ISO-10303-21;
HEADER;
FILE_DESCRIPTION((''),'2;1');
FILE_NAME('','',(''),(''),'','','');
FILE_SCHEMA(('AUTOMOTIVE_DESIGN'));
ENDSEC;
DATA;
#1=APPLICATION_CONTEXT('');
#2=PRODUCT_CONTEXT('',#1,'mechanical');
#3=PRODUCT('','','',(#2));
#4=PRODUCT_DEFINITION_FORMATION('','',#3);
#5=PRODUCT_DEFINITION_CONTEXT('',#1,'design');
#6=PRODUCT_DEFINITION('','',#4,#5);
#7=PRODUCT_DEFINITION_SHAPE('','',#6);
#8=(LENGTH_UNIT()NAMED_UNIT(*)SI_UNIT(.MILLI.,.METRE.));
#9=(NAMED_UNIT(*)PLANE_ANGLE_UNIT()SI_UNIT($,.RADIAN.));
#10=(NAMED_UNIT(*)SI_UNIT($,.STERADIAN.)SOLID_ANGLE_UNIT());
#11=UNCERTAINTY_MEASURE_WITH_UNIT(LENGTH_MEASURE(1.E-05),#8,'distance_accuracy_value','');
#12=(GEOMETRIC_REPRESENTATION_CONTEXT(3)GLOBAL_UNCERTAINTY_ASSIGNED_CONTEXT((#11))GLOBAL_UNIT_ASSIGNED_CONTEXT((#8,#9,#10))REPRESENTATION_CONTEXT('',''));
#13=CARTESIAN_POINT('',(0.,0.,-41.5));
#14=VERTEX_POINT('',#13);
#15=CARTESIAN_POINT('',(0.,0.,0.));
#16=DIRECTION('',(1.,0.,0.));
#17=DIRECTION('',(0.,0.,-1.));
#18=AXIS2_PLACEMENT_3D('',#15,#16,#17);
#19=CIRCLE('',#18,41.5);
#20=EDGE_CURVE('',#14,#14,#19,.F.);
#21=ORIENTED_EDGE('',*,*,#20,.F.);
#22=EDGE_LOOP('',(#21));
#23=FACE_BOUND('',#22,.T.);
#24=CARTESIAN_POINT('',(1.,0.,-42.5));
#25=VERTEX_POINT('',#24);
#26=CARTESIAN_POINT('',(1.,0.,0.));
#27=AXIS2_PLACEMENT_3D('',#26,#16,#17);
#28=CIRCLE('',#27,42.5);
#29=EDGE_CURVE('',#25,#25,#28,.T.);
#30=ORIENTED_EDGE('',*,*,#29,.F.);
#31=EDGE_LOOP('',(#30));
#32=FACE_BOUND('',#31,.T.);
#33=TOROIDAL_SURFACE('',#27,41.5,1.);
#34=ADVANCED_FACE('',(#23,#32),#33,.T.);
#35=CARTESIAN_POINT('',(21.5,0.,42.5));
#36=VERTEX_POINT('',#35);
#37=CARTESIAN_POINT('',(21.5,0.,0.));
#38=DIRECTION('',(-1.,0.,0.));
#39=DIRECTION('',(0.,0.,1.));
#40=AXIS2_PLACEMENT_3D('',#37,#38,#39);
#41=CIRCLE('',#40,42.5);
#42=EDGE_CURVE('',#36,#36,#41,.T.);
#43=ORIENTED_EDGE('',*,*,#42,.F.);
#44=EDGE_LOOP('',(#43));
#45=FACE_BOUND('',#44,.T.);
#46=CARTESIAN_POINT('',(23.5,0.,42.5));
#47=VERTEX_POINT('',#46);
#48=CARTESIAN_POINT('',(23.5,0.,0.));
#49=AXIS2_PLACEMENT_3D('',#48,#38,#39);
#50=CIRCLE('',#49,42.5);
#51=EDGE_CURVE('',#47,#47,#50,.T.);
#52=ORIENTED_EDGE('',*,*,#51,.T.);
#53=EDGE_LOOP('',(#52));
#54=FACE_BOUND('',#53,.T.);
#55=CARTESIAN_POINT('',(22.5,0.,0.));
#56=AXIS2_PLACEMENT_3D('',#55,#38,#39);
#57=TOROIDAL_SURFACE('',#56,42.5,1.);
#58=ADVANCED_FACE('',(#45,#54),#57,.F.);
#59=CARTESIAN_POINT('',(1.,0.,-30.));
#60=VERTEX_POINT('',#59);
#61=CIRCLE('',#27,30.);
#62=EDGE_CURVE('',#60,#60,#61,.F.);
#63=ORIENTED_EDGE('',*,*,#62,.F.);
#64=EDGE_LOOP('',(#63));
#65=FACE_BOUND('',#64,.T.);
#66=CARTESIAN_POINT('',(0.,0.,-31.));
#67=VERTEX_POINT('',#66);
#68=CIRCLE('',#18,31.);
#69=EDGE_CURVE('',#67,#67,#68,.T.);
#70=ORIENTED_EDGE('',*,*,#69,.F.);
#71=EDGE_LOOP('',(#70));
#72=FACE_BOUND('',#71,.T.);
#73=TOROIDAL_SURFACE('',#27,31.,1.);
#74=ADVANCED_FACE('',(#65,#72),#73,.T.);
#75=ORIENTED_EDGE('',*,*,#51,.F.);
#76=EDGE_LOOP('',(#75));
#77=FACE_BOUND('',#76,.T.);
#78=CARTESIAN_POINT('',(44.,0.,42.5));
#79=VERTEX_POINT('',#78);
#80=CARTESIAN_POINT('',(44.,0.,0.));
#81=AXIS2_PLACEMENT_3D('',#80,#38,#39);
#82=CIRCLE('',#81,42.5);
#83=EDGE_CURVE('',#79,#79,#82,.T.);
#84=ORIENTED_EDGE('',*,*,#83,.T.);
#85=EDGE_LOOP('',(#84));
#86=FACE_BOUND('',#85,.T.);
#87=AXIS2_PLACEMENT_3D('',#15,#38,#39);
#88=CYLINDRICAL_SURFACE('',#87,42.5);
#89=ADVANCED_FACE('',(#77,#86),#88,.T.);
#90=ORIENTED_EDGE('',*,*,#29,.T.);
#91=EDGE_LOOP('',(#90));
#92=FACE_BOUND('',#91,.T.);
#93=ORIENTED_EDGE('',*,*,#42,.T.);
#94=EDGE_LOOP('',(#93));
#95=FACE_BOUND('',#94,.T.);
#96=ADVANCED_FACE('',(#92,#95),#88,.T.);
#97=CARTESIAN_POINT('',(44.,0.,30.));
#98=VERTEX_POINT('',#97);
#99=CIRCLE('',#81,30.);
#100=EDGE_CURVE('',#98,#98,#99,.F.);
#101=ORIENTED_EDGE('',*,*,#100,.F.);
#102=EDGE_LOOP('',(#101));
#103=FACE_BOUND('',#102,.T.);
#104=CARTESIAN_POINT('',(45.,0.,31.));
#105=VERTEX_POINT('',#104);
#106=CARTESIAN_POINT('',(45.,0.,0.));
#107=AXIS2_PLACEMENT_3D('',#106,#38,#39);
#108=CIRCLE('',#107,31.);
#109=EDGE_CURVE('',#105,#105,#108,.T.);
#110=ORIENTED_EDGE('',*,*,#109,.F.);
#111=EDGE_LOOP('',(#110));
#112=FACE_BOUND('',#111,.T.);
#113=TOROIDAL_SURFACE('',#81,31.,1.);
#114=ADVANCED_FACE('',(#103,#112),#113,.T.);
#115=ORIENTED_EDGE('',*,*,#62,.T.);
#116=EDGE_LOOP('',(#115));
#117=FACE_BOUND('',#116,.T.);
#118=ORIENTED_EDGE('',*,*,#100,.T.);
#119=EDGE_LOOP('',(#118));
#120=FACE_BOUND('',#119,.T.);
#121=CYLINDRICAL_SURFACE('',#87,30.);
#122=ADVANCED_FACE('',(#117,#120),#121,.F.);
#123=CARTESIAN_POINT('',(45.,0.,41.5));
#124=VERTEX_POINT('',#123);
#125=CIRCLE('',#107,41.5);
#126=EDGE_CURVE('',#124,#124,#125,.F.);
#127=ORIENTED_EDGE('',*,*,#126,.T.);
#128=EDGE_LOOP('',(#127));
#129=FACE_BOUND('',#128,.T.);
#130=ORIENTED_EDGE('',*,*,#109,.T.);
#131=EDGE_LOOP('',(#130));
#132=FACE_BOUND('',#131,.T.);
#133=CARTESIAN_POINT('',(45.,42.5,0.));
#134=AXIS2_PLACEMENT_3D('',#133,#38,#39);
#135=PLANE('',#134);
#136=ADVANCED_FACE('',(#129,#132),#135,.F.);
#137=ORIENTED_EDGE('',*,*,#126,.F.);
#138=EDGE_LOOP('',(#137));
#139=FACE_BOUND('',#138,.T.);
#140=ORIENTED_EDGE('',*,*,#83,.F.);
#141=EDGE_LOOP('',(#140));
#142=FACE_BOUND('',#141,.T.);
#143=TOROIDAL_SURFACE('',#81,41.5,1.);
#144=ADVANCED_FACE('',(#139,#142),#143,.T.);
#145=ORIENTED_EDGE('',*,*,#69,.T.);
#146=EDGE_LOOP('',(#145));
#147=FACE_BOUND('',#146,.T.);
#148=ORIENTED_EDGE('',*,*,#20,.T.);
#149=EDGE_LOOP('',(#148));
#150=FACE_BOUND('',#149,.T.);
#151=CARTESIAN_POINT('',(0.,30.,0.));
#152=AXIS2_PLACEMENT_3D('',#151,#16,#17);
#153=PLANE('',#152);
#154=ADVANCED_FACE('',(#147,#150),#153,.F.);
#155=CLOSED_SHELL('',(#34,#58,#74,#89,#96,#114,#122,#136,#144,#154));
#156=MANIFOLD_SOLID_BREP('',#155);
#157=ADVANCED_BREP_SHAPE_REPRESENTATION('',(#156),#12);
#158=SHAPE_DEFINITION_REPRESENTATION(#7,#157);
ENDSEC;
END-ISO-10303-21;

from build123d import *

# Parameters (mm, degrees)
FILLET1_R = 1


with BuildPart() as part:
    # Sketch1 → Revolve1 (revolve)
    with BuildSketch(Plane.XY, mode=Mode.PRIVATE) as revolve1_sk:
        with BuildLine():
            Line((0, 30), (0, 42.5))
            Line((0, 42.5), (21.5, 42.5))
            ThreePointArc((21.5, 42.5), (22.5, 41.5), (23.5, 42.5))
            Line((23.5, 42.5), (45, 42.5))
            Line((45, 42.5), (45, 30))
            Line((45, 30), (0, 30))
        make_face()
    revolve(revolve1_sk.sketch.rotate(Axis((0, 0, 0), (1, 0, 0)), 90), axis=Axis((0, 0, 0), (1, 0, 0)))

    # Fillet1
    fillet1_edges = [part.edges().sort_by_distance(p)[0] for p in [
        (0, 0, -30),
        (0, 0, -42.5),
        (45, 0, -42.5),
        (45, 0, -30),
    ]]
    fillet(fillet1_edges, radius=FILLET1_R)


solid = part.part
